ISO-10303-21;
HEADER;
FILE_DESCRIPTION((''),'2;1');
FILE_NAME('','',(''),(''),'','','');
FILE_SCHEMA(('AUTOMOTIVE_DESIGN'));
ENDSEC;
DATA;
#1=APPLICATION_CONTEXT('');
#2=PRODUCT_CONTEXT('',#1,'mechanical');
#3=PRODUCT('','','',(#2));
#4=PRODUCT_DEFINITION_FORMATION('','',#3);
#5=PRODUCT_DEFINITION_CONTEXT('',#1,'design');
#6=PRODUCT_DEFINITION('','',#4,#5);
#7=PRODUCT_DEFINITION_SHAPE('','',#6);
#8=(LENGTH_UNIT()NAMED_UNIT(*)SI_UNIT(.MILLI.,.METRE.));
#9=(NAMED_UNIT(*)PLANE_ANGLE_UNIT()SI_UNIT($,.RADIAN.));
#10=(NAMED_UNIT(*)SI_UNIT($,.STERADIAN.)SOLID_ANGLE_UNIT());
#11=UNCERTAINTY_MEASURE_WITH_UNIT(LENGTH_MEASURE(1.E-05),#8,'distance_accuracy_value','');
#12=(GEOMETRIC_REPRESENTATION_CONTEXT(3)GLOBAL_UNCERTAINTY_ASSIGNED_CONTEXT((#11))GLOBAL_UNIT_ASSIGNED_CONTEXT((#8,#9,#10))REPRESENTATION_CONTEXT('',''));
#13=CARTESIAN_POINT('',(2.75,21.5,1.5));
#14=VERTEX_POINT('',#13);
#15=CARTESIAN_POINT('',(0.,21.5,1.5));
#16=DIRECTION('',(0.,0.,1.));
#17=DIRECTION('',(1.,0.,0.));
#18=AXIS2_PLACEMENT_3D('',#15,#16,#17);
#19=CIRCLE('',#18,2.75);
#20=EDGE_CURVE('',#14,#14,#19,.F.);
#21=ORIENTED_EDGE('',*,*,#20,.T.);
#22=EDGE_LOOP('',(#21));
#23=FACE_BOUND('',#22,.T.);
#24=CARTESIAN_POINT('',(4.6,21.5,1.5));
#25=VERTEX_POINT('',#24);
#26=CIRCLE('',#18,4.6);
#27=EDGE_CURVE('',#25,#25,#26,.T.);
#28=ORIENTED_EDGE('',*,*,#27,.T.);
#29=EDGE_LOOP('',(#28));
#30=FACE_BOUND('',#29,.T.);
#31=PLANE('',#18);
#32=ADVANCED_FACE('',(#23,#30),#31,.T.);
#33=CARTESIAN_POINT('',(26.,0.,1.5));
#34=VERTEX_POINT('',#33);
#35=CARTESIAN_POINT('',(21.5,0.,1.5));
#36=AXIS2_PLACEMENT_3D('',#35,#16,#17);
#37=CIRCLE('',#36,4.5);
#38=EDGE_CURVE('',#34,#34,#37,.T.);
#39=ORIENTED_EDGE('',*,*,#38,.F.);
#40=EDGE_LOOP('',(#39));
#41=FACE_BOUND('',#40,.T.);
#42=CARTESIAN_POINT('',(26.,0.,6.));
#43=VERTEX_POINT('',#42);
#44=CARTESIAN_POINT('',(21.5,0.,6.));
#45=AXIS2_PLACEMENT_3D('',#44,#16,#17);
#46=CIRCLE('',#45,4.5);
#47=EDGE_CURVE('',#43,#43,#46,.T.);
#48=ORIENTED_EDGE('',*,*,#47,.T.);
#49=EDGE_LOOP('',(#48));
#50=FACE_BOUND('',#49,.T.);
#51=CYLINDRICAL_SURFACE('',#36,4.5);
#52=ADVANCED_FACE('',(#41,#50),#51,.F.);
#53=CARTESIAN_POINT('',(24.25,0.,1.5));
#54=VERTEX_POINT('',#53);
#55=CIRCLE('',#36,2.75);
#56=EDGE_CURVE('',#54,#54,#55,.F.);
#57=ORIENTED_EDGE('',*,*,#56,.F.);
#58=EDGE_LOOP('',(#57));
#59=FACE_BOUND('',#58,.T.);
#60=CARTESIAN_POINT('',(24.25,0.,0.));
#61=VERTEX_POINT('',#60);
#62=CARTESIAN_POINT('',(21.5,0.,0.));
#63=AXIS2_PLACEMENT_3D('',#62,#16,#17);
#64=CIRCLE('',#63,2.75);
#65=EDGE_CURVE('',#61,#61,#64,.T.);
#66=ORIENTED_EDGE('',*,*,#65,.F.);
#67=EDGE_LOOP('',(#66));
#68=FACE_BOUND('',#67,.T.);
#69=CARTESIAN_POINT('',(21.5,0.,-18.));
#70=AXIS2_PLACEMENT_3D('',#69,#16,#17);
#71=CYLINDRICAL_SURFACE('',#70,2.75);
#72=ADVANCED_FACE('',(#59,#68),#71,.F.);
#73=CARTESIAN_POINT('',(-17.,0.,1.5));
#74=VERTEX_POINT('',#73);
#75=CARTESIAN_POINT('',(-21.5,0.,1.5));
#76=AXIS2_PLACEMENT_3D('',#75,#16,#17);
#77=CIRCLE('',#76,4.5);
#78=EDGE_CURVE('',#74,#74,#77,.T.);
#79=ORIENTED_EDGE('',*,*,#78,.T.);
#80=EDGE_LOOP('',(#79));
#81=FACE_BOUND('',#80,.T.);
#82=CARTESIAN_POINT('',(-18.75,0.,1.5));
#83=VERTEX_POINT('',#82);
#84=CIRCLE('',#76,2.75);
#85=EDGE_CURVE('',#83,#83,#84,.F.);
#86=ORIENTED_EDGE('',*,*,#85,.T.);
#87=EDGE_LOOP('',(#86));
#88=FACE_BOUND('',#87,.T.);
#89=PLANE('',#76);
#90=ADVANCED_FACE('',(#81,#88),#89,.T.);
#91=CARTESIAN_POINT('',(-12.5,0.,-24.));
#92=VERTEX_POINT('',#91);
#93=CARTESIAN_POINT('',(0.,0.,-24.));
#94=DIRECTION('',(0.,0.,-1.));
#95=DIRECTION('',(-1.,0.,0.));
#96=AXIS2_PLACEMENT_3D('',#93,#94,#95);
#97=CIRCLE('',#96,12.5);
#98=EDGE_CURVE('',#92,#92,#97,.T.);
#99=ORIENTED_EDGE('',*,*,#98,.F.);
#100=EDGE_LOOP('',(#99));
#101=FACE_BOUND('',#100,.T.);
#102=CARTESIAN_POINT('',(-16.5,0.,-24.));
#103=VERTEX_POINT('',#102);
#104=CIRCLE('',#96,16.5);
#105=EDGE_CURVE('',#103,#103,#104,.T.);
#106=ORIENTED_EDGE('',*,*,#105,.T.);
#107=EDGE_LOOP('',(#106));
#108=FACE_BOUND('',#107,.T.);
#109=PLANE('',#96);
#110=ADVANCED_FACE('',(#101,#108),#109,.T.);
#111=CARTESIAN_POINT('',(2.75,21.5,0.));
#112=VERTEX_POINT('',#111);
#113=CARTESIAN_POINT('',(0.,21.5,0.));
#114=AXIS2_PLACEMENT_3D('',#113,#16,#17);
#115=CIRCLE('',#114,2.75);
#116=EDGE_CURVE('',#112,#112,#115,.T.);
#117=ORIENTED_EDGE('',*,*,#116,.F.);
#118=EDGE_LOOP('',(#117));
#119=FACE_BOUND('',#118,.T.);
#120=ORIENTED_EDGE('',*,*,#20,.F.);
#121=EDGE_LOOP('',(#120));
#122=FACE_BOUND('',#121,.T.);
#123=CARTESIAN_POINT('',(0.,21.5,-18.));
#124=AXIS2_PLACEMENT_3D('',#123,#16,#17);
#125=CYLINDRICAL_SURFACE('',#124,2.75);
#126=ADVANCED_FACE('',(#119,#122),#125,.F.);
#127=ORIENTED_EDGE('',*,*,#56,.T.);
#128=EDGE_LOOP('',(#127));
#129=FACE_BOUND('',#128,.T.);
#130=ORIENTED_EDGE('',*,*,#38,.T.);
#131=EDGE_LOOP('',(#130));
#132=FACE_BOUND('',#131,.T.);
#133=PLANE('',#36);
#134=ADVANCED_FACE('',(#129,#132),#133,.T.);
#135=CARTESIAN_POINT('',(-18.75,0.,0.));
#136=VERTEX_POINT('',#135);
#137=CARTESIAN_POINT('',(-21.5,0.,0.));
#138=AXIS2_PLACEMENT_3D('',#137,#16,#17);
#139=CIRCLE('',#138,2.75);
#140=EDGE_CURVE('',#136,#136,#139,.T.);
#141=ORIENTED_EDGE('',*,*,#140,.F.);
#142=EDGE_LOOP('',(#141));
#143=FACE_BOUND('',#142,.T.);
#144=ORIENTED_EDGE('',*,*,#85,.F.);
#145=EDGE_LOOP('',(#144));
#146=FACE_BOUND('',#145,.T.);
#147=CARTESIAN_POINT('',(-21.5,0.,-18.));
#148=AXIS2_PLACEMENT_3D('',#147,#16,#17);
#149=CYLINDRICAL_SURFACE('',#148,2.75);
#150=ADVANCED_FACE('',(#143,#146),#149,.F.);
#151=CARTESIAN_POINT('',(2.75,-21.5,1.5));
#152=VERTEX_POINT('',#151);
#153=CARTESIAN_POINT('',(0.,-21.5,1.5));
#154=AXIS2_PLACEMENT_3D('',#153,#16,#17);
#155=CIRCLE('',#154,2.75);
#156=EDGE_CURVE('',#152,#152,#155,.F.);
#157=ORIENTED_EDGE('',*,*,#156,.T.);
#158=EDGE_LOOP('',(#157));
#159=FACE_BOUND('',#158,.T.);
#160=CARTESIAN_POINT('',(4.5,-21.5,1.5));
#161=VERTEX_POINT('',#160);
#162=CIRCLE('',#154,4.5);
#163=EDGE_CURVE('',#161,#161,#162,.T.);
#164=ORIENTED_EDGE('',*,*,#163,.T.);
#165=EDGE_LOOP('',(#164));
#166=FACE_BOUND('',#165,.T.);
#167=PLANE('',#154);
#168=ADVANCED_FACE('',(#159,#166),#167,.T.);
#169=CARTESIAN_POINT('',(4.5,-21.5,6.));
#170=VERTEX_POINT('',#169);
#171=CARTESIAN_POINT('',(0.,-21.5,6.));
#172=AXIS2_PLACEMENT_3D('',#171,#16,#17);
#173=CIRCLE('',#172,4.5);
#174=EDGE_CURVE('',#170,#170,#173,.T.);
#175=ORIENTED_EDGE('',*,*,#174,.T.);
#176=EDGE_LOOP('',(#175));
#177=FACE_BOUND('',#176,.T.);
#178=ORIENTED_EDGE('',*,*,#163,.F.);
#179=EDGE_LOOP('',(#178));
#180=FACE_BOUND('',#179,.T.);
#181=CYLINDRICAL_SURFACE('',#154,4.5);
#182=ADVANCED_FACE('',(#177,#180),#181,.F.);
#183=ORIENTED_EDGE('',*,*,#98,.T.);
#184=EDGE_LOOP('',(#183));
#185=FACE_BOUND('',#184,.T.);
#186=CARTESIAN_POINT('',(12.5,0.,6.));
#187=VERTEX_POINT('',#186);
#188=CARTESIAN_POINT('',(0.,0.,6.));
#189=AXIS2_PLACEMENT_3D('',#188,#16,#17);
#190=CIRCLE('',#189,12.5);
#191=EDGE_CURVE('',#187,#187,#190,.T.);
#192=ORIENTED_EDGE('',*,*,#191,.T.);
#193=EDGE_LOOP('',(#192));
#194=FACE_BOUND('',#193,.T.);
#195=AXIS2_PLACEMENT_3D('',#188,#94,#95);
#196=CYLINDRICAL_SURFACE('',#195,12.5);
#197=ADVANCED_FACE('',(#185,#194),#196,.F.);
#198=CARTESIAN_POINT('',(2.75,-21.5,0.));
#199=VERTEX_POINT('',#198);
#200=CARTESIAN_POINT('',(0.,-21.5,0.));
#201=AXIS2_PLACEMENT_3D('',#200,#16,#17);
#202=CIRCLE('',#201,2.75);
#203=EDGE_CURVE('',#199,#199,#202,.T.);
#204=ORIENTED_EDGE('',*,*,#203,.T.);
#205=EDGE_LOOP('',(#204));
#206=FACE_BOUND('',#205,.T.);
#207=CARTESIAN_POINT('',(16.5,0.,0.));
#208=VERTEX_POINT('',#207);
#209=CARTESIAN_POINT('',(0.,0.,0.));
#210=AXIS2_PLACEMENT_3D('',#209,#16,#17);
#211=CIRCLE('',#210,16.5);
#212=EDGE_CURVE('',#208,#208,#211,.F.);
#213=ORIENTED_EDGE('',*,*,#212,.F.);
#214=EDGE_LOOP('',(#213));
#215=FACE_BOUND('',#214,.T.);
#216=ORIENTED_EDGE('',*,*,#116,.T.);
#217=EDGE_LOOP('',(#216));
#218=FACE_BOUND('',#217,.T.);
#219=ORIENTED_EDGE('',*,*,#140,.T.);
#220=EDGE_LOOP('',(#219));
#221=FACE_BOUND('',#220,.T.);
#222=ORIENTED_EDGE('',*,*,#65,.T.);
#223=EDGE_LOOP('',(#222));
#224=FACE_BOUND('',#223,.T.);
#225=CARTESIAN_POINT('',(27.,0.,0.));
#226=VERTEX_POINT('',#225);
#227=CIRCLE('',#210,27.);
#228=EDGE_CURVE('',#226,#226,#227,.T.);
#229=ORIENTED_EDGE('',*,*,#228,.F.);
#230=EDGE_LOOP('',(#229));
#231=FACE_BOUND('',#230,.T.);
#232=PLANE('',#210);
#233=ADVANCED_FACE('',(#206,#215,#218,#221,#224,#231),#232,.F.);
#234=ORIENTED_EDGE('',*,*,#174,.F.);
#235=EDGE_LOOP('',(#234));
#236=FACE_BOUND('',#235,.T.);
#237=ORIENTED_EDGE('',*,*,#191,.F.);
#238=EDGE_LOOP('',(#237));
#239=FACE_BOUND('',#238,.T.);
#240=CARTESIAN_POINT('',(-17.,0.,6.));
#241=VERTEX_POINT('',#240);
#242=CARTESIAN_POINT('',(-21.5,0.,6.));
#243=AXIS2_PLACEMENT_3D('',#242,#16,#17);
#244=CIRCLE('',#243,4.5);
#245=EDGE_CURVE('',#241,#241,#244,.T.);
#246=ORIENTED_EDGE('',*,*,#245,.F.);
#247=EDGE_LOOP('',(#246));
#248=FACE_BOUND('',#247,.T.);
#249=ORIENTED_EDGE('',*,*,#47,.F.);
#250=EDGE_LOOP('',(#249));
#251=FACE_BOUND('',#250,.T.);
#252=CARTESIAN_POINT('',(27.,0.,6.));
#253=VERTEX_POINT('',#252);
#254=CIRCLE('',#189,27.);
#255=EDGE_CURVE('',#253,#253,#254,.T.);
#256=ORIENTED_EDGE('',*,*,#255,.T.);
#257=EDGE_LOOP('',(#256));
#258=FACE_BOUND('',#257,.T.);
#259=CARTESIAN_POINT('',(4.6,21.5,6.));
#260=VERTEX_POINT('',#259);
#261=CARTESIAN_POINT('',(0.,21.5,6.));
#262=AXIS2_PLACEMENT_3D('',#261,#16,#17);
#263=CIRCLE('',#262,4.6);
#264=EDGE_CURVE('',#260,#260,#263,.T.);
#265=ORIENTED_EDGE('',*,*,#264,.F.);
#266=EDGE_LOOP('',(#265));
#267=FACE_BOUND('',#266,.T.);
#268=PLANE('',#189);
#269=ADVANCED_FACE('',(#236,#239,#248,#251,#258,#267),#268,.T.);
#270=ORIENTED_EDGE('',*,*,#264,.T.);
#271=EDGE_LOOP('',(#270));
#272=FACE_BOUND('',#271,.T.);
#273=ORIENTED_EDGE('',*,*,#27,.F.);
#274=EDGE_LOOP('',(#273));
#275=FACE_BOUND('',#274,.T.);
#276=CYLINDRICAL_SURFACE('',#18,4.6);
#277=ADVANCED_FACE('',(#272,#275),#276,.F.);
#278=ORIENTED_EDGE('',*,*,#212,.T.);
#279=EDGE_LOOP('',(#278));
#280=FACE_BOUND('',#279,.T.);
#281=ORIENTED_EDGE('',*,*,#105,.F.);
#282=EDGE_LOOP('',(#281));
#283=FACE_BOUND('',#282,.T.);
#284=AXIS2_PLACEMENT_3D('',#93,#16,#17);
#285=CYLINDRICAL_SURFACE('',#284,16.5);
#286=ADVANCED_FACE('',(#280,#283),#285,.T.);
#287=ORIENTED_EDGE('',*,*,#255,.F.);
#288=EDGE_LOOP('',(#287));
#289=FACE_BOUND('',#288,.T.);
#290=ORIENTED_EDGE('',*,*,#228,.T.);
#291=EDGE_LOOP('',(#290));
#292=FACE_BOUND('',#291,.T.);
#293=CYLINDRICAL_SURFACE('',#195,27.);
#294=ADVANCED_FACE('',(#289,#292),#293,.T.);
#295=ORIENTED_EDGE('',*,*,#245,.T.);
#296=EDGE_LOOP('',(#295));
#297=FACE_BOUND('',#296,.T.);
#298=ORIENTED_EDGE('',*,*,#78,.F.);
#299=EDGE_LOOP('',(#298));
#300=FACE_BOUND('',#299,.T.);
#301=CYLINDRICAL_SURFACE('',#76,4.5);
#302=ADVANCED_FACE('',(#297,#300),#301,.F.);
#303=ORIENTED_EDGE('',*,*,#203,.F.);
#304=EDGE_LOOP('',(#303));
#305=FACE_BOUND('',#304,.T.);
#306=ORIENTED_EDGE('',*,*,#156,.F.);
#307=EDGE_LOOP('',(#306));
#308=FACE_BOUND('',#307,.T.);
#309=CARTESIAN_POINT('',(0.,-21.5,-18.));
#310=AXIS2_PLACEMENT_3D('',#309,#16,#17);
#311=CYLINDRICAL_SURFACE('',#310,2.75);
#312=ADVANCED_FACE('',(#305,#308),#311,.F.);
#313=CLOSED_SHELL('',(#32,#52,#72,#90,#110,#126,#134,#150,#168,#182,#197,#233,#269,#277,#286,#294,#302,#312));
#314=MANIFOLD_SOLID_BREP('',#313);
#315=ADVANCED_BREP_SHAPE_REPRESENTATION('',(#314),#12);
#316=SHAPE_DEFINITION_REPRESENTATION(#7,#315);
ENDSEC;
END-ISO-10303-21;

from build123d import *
from build123d.topology import SkipClean

# Parameters (mm, degrees)
SKETCH_1_R          = 27
SKETCH_1_R_2        = 12.5
EXTRUDE_3_DEPTH     = 6
EXTRUDE_START       = 24
SKETCH_2_R          = 16.5
SKETCH_2_R_2        = 12.5
EXTRUDE_4_DEPTH     = 24
SKETCH_3_R          = 2.75
CUT_EXTRUDE_1_DEPTH = 24
SKETCH_4_R          = 4.6
SKETCH_4_R_2        = 4.5
CUT_EXTRUDE_2_DEPTH = 4.5


with BuildPart() as part:
    # 草图1 → 凸台-拉伸3 (new body)
    with BuildSketch(Plane.XY):
        Circle(SKETCH_1_R)
        Circle(SKETCH_1_R_2, mode=Mode.SUBTRACT)
    extrude(amount=EXTRUDE_3_DEPTH)

    # 草图2 → 凸台-拉伸4 (add)
    with SkipClean():  # the faces are left unmerged after this step: merging them gives an invalid solid
        with BuildSketch(Plane(origin=(0, 0, 0), x_dir=(-1, 0, 0), z_dir=(0, 0, -1)).offset(EXTRUDE_START)):
            with Locations(Location((0, 0, 0), (0, 0, 180))):
                Circle(SKETCH_2_R)
            Circle(SKETCH_2_R_2, mode=Mode.SUBTRACT)
        extrude(amount=-EXTRUDE_4_DEPTH)

    # 草图3 → 切除-拉伸1 (cut)
    with SkipClean():  # the faces are left unmerged after this step: merging them gives an invalid solid
        with BuildSketch(Plane.XY.offset(6)):
            with Locations((0, 21.5)):
                Circle(SKETCH_3_R)
            with Locations((21.5, 0)):
                Circle(SKETCH_3_R)
            with Locations((0, -21.5)):
                Circle(SKETCH_3_R)
            with Locations((-21.5, 0)):
                Circle(SKETCH_3_R)
        extrude(amount=-CUT_EXTRUDE_1_DEPTH, mode=Mode.SUBTRACT)

    # 草图4 → 切除-拉伸2 (cut)
    with SkipClean():  # the faces are left unmerged after this step: merging them gives an invalid solid
        with BuildSketch(Plane.XY.offset(6)):
            with Locations((0, 21.5)):
                Circle(SKETCH_4_R)
            with Locations((21.5, 0)):
                Circle(SKETCH_4_R_2)
            with Locations((0, -21.5)):
                Circle(SKETCH_4_R_2)
            with Locations((-21.5, 0)):
                Circle(SKETCH_4_R_2)
        extrude(amount=-CUT_EXTRUDE_2_DEPTH, mode=Mode.SUBTRACT)


solid = part.part
